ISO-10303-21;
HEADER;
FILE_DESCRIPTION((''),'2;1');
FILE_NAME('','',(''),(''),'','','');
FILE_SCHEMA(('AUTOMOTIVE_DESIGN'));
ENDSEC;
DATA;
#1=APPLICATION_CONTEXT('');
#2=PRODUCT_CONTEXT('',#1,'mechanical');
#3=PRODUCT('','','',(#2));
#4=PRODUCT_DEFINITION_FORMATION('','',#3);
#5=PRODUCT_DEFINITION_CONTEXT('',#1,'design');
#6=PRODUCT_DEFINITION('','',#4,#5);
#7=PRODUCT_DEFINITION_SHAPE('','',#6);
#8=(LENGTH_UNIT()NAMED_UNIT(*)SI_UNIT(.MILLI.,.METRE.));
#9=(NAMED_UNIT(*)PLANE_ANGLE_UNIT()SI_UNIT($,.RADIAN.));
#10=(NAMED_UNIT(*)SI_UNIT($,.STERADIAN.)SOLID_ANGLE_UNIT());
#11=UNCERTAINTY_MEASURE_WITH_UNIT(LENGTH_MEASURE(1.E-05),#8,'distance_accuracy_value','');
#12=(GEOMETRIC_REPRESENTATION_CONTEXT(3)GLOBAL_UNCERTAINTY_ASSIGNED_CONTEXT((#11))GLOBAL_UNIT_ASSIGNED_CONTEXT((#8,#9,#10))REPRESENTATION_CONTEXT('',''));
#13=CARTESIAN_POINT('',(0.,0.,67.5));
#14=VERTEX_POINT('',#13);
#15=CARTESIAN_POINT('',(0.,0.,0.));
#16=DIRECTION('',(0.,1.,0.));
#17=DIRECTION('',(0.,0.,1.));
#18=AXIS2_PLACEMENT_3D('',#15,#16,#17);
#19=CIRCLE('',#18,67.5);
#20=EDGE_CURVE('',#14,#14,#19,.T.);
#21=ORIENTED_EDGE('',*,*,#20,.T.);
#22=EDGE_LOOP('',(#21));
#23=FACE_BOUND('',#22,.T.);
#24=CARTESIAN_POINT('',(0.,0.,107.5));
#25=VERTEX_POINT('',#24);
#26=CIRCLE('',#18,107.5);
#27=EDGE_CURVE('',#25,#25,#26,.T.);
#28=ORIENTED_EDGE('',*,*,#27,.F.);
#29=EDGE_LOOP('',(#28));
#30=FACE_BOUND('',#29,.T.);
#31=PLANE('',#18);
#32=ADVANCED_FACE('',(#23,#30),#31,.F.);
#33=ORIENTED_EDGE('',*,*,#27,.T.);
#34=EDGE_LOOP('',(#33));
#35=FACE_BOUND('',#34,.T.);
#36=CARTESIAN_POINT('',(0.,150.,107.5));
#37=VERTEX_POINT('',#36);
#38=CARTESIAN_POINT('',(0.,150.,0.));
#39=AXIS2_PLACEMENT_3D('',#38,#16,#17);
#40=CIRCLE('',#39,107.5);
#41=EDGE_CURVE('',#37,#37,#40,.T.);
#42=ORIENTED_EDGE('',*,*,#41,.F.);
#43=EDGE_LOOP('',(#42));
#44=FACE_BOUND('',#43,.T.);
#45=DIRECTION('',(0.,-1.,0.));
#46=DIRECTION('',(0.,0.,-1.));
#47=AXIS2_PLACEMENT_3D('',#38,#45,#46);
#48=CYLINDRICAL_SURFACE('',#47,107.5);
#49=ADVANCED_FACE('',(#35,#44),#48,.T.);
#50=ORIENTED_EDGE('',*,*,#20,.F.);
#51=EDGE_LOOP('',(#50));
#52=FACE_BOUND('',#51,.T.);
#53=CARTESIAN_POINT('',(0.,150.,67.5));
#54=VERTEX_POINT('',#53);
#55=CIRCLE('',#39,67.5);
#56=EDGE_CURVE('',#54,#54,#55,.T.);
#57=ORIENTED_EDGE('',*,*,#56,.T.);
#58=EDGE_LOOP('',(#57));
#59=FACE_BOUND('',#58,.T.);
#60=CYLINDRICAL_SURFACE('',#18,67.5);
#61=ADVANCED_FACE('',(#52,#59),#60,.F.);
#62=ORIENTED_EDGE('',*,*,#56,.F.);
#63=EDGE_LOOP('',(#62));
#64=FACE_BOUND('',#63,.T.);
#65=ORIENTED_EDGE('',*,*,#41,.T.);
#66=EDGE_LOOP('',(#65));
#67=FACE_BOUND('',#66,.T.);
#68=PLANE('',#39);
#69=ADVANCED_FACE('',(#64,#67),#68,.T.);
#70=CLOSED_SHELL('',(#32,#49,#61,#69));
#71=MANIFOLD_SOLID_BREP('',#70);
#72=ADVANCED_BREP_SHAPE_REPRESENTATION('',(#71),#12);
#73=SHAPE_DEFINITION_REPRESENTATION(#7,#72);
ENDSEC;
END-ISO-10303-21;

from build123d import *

# Parameters (mm, degrees)
SKETCH1_R           = 107.5
BOSS_EXTRUDE1_DEPTH = 150
SKETCH2_R           = 67.5
CUT_EXTRUDE1_DEPTH  = 151


with BuildPart() as part:
    # Sketch1 → Boss-Extrude1 (new body)
    with BuildSketch(Plane(origin=(0, 0, 0), x_dir=(1, 0, 0), z_dir=(0, 1, 0))):
        Circle(SKETCH1_R)
    extrude(amount=BOSS_EXTRUDE1_DEPTH)

    # Sketch2 → Cut-Extrude1 (cut, through all)
    with BuildSketch(Plane(origin=(0, 150, 0), x_dir=(1, 0, 0), z_dir=(0, 1, 0))):
        Circle(SKETCH2_R)
    extrude(amount=-CUT_EXTRUDE1_DEPTH, mode=Mode.SUBTRACT)


solid = part.part
